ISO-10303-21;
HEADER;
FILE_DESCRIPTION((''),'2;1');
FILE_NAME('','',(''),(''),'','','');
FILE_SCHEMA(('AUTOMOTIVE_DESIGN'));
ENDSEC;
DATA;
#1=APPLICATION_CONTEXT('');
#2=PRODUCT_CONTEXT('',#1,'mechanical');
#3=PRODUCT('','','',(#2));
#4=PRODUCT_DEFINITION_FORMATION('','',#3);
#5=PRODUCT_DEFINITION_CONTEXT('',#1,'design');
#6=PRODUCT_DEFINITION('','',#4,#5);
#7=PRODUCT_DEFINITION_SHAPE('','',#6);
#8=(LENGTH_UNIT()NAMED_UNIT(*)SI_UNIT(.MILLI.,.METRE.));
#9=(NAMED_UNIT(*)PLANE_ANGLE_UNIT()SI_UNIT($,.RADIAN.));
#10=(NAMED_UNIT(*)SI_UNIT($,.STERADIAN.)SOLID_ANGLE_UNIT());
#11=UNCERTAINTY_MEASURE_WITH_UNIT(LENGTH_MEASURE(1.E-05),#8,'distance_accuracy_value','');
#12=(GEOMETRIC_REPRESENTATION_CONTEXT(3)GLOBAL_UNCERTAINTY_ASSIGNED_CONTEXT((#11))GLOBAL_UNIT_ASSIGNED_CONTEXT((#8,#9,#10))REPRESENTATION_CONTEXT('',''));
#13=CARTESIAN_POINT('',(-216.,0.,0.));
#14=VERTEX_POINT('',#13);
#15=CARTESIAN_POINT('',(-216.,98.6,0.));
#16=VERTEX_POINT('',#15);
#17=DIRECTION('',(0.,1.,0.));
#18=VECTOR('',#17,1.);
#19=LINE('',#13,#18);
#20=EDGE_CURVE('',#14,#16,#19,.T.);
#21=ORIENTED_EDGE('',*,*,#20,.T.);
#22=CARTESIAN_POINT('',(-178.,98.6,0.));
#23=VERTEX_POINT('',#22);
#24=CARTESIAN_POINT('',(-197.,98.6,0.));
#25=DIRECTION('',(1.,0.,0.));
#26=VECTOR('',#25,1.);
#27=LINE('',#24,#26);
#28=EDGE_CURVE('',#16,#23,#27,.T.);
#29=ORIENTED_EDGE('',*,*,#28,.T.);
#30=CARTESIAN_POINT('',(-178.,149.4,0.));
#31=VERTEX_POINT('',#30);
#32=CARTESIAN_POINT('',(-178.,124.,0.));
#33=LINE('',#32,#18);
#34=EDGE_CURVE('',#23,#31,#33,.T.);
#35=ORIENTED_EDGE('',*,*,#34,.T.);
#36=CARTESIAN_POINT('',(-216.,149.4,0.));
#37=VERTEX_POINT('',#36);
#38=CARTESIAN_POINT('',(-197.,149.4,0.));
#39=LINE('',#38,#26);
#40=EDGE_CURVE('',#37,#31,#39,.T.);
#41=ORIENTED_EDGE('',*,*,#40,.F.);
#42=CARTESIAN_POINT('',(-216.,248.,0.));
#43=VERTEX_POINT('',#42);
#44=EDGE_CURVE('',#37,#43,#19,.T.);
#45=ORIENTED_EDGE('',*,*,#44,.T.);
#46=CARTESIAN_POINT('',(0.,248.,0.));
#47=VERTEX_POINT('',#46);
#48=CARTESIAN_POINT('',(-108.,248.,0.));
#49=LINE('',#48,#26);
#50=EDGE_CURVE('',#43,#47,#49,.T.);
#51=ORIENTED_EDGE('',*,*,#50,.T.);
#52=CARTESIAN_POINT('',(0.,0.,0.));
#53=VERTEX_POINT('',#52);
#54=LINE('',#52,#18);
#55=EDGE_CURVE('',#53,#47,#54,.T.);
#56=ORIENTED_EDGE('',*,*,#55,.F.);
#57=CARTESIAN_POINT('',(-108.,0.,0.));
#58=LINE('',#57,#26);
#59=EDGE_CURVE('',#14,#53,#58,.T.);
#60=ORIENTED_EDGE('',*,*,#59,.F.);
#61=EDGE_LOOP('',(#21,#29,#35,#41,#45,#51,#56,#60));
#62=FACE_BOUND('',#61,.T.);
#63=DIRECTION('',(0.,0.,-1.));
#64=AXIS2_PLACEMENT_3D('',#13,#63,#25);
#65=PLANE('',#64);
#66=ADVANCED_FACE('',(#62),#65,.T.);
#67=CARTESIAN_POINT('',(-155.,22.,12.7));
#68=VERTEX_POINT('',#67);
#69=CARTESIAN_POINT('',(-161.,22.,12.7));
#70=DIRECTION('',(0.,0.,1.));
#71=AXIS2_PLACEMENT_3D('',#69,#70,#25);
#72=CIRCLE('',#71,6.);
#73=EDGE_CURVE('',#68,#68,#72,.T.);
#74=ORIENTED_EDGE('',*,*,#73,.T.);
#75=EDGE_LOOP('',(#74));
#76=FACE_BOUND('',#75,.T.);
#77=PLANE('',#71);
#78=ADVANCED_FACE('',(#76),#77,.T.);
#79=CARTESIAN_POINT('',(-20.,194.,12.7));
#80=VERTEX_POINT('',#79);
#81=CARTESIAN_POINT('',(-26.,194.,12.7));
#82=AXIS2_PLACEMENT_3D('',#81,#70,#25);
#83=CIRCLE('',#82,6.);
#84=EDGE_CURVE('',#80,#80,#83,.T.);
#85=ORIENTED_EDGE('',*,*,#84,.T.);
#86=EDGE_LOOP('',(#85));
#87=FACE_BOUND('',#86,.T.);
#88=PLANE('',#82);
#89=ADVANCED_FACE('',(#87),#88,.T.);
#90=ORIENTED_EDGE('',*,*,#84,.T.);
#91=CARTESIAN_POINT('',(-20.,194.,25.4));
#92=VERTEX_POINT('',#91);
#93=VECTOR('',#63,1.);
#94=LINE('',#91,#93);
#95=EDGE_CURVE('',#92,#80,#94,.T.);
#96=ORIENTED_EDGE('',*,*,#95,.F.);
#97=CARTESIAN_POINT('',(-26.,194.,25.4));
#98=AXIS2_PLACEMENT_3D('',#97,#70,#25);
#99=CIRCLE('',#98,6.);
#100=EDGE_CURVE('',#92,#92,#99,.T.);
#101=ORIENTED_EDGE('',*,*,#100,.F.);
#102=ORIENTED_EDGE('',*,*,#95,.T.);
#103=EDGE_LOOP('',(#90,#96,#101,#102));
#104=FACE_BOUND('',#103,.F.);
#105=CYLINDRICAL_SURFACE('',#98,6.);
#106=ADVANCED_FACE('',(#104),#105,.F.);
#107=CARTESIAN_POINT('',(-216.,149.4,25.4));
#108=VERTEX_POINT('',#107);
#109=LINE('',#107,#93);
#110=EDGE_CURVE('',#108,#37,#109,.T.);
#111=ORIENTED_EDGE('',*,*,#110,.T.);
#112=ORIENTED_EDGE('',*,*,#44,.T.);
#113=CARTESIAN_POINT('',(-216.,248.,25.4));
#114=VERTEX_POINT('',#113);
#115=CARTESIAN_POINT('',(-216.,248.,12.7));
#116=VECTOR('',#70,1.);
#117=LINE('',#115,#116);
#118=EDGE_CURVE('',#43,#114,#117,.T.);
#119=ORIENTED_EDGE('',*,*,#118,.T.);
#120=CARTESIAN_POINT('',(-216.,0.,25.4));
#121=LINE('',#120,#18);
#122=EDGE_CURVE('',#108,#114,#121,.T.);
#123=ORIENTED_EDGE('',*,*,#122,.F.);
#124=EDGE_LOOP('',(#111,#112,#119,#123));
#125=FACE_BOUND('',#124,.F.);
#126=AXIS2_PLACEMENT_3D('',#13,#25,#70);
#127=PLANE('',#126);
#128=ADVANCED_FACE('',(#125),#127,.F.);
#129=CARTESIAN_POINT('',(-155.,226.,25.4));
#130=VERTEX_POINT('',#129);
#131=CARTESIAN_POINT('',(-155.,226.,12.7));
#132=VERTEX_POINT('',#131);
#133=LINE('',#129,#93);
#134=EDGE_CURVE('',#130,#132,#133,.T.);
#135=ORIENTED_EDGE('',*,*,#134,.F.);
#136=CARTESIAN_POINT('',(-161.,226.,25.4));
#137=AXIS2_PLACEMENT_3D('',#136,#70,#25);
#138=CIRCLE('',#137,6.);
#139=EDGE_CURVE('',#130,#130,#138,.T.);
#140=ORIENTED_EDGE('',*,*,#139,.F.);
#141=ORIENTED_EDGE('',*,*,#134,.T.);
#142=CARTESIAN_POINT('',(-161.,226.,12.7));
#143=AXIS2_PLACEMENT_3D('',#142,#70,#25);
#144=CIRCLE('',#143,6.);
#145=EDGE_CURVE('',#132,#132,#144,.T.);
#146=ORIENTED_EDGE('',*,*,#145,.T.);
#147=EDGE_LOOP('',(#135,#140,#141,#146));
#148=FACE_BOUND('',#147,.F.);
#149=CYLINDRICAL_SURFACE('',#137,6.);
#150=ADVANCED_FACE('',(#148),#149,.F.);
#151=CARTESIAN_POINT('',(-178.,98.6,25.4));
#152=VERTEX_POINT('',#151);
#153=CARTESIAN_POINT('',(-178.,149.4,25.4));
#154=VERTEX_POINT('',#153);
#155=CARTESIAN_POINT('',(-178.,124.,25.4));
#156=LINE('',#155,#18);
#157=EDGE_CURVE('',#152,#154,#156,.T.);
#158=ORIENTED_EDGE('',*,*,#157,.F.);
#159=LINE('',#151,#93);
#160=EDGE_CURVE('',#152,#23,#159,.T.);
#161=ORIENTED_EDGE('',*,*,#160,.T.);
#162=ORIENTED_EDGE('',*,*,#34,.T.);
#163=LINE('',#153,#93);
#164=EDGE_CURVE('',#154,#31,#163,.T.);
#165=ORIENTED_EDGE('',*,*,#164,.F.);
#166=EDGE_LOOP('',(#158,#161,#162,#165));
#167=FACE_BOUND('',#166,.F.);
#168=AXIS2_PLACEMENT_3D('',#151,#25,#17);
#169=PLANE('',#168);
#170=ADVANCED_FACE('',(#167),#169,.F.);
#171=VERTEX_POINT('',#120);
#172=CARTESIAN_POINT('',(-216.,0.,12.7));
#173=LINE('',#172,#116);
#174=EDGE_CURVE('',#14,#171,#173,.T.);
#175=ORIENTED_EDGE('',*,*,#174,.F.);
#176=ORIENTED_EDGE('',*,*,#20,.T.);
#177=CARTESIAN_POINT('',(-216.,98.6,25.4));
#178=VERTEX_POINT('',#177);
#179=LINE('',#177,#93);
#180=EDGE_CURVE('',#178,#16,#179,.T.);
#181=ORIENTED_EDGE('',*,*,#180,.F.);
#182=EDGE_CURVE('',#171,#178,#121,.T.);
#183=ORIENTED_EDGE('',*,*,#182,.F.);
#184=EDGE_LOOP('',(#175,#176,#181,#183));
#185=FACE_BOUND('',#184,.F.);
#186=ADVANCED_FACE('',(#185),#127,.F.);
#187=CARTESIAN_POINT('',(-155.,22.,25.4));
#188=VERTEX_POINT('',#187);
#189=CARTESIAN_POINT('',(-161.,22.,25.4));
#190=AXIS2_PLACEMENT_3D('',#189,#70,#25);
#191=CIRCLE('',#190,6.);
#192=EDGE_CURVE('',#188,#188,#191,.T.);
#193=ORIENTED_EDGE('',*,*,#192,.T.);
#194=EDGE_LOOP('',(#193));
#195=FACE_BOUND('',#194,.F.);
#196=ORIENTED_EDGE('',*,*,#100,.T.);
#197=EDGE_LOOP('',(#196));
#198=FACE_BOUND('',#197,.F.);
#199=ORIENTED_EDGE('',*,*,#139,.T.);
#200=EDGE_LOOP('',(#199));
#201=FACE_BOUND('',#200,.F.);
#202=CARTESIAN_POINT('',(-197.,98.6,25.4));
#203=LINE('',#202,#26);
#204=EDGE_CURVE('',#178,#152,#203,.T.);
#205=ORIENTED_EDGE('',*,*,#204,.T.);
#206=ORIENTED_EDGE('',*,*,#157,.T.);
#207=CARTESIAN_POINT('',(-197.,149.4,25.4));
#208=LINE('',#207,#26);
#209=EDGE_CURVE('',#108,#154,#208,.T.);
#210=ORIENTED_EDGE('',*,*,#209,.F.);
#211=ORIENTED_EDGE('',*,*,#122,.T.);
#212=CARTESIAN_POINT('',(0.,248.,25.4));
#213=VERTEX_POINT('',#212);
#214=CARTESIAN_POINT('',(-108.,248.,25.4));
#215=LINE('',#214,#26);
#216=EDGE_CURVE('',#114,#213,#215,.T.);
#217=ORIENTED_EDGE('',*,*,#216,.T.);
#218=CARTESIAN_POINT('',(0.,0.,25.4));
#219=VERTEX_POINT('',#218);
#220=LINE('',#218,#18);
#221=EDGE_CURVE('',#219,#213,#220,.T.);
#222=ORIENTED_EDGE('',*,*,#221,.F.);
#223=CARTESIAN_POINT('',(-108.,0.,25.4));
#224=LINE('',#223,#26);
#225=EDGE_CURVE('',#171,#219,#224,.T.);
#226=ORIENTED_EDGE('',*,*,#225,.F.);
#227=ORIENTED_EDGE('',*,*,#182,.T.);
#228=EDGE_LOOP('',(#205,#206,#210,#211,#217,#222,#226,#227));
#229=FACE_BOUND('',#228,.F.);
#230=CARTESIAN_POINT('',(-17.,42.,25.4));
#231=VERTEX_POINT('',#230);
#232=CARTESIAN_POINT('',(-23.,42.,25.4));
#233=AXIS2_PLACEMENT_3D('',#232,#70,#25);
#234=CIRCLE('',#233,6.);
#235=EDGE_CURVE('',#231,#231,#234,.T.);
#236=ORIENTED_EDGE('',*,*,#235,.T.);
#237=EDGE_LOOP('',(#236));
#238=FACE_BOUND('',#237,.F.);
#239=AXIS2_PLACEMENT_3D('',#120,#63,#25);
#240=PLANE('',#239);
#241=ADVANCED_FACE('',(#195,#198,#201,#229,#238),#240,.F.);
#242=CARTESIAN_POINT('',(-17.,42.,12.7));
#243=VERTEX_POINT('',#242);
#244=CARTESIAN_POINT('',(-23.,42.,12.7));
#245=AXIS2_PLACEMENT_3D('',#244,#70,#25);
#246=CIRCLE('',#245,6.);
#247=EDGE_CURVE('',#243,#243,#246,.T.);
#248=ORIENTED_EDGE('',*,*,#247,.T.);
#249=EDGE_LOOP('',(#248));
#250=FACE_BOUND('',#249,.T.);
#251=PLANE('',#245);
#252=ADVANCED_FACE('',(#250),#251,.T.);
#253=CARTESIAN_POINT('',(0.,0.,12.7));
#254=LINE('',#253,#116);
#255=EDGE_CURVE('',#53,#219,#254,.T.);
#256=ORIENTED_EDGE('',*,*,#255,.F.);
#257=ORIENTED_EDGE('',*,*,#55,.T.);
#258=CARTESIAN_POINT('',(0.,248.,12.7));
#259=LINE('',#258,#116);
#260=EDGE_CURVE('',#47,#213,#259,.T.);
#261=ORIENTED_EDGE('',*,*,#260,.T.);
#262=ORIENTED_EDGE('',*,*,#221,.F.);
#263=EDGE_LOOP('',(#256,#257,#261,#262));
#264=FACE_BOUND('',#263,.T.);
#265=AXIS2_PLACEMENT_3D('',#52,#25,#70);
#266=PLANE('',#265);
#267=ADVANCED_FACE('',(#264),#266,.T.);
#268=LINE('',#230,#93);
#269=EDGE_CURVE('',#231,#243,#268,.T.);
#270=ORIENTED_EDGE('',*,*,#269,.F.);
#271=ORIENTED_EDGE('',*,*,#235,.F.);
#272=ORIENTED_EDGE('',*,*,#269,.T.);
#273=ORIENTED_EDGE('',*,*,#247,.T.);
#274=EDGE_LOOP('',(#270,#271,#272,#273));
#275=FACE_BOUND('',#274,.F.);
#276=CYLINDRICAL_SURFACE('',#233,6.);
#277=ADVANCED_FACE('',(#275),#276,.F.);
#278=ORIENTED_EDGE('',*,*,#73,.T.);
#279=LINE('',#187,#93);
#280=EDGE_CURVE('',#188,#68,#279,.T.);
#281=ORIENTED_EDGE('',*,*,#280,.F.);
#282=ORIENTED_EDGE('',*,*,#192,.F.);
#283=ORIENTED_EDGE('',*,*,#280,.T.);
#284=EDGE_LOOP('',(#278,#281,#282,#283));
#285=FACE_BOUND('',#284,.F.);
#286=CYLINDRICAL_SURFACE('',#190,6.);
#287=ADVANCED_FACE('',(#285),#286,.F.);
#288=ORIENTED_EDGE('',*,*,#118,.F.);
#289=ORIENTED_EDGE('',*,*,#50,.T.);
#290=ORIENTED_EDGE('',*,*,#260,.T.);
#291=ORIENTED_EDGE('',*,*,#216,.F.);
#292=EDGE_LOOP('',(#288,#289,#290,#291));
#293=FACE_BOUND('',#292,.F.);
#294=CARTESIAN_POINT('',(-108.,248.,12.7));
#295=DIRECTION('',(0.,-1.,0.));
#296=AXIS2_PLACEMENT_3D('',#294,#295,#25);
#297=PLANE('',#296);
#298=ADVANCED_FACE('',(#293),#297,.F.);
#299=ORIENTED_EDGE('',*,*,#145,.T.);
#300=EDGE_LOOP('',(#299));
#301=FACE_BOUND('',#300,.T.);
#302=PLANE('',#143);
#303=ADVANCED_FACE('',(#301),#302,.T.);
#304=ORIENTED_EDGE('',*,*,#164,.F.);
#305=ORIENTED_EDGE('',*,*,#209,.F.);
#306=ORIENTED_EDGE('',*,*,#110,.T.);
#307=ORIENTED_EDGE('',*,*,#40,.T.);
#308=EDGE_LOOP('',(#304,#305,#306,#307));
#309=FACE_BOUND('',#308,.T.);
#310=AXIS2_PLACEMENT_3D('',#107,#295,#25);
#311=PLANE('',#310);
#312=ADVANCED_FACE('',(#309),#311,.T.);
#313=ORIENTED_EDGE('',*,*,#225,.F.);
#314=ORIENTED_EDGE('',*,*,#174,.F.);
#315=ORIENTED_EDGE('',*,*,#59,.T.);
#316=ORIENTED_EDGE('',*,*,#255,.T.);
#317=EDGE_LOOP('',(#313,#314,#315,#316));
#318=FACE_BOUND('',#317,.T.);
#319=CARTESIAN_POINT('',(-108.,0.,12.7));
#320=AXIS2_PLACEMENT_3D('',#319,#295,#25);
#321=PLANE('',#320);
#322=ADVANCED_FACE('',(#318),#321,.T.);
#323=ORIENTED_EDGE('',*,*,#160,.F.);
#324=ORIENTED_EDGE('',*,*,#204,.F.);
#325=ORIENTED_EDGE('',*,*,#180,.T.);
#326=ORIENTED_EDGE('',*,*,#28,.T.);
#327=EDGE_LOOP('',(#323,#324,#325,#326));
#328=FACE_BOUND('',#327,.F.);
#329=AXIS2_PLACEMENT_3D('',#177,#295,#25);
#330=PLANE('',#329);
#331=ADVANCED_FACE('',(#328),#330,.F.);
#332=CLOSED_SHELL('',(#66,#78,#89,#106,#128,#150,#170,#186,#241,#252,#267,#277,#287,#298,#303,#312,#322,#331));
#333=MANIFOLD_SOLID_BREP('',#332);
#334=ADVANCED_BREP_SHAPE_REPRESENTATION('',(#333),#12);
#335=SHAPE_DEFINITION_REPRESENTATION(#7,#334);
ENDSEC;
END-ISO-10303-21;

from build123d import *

# Parameters (mm, degrees)
F0_W     = 216
F0_H     = 25.4
F1_DEPTH = 248
F2_R     = 6
F3_DEPTH = 12.7
F4_W     = 38
F4_H     = 50.8
F5_DEPTH = 25.4


with BuildPart() as f1:
    # F0 (on Front) → F1 (new body)
    with BuildSketch(Plane.XZ):
        with Locations((-108, 12.7)):
            Rectangle(F0_W, F0_H)
    extrude(amount=-F1_DEPTH)

    # F2 (on face) → F3 (cut)
    with BuildSketch(Plane.XY.offset(25.4)):
        with Locations((-161, 226)):
            Circle(F2_R)
        with Locations((-161, 22)):
            Circle(F2_R)
        with Locations((-26, 194)):
            Circle(F2_R)
        with Locations((-23, 42)):
            Circle(F2_R)
    extrude(amount=-F3_DEPTH, mode=Mode.SUBTRACT)

    # F4 (on face) → F5 (cut, through all)
    with BuildSketch(Plane.XY.offset(25.4)):
        with Locations((-197, 124)):
            Rectangle(F4_W, F4_H)
    extrude(amount=-F5_DEPTH, mode=Mode.SUBTRACT)


solid = f1.part
